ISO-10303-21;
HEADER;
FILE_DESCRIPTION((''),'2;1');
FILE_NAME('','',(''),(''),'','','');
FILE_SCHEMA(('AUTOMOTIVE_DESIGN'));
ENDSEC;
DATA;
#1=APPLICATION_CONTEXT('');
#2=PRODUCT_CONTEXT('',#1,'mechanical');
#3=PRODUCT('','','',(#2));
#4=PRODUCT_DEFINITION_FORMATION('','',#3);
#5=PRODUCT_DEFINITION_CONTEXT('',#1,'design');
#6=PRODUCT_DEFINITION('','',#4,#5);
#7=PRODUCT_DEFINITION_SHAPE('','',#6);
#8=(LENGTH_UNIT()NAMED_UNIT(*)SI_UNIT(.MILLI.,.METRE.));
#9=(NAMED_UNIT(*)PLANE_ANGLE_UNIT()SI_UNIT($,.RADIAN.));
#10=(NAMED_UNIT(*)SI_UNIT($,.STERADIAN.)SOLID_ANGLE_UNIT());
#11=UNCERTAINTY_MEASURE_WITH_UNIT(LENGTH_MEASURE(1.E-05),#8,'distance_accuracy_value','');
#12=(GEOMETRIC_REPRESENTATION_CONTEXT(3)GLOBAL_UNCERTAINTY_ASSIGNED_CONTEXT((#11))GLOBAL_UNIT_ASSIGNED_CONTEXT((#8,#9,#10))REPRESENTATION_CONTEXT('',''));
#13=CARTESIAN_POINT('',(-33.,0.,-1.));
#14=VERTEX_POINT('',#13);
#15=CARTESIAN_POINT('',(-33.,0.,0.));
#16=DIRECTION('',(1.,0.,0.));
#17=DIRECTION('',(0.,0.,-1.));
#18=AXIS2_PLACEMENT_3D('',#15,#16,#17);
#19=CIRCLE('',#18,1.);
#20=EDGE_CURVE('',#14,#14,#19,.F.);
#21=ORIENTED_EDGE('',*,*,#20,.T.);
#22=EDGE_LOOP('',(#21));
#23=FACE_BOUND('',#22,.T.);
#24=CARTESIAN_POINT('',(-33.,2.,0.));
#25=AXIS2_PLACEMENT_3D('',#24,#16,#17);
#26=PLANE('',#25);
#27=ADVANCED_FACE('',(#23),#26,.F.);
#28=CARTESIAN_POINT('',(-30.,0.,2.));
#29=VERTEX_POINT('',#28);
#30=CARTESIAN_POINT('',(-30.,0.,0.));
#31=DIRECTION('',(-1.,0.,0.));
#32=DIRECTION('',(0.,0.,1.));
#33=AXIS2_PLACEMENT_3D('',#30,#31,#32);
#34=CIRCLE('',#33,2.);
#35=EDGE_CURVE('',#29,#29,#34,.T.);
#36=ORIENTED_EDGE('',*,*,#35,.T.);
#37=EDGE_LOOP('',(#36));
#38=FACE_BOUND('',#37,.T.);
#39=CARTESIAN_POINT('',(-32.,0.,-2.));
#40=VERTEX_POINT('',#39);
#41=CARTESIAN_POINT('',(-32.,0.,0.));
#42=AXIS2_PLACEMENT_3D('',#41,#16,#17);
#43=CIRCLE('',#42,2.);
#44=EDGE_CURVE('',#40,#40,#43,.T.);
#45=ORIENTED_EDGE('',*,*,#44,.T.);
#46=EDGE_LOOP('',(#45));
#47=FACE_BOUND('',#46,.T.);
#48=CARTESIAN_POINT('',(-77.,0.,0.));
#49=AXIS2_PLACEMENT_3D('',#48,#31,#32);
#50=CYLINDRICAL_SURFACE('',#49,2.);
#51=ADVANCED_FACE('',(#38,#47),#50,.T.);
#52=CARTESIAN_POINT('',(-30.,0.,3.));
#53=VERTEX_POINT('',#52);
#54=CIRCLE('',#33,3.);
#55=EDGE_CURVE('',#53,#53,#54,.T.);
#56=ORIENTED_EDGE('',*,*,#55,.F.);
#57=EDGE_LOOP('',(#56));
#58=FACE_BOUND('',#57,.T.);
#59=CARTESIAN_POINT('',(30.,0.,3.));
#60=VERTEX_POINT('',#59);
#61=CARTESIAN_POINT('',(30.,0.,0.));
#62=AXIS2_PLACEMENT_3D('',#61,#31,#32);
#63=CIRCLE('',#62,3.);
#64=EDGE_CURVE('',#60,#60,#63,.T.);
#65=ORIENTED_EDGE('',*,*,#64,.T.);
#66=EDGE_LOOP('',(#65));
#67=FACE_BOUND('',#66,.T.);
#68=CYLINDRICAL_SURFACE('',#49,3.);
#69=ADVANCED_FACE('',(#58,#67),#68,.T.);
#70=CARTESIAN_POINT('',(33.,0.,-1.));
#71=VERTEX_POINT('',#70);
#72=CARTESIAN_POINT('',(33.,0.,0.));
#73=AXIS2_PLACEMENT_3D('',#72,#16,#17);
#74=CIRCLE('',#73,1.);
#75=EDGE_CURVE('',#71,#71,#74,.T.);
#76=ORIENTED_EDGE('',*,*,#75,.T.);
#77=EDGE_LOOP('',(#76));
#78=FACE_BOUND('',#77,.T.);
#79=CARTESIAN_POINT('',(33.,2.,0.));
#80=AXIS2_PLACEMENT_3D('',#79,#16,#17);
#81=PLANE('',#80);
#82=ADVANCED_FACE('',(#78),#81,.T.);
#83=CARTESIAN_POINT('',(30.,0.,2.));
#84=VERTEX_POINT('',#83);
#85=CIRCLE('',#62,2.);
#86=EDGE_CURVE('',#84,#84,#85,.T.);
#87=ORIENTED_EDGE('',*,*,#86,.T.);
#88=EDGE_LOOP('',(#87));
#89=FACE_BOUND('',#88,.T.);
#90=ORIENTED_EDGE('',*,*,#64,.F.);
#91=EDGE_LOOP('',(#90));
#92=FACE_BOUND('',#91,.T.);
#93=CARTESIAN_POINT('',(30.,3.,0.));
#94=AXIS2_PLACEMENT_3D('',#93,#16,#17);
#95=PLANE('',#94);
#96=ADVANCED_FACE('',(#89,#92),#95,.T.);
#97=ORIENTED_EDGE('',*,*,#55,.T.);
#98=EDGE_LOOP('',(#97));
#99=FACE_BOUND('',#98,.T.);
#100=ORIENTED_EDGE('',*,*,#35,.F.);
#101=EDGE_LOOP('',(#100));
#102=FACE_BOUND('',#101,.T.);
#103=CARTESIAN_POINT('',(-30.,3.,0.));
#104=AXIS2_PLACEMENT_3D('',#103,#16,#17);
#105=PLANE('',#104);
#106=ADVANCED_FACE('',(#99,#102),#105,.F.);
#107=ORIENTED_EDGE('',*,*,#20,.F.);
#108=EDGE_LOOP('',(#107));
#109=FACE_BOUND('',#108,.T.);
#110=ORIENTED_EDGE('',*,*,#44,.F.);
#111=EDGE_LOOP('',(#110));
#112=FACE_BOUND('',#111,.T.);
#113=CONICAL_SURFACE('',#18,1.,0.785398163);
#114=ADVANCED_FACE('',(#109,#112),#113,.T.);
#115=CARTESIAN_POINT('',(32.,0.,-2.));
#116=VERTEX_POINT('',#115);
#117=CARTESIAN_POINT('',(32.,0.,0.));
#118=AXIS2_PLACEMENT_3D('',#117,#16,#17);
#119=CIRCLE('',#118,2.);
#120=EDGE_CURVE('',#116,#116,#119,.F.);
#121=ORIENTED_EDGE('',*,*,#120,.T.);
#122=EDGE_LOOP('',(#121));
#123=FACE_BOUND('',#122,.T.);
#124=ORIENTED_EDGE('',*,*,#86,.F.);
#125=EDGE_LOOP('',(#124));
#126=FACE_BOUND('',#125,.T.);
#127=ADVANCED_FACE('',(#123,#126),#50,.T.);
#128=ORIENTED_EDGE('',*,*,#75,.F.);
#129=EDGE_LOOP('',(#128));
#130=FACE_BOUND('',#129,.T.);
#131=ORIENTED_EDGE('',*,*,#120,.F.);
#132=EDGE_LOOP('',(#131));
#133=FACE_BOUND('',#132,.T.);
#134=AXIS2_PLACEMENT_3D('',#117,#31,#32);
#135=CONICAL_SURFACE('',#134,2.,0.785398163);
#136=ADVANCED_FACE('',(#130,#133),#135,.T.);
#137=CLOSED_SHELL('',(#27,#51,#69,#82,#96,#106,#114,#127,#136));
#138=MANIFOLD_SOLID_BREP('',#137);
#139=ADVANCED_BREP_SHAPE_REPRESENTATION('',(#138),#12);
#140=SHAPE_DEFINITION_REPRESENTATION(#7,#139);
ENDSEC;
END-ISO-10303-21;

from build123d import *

# Parameters (mm, degrees)
CHANFREIN1_SIZE = 1


with BuildPart() as part:
    # Esquisse1 → Base-Révolution (revolve)
    with BuildSketch(Plane.XY, mode=Mode.PRIVATE) as base_r_volution_sk:
        Polygon((-33, 2), (-33, 0), (33, 0), (33, 2), (30, 2), (30, 3), (-30, 3), (-30, 2), align=None)
    revolve(base_r_volution_sk.sketch.rotate(Axis((-77, 0, 0), (1, 0, 0)), 90), axis=Axis((-77, 0, 0), (1, 0, 0)))

    # Chanfrein1
    chanfrein1_edges = [part.edges().sort_by_distance(p)[0] for p in [
        (-33, 0, -2),
        (33, 0, -2),
    ]]
    chamfer(chanfrein1_edges, length=CHANFREIN1_SIZE)


solid = part.part
